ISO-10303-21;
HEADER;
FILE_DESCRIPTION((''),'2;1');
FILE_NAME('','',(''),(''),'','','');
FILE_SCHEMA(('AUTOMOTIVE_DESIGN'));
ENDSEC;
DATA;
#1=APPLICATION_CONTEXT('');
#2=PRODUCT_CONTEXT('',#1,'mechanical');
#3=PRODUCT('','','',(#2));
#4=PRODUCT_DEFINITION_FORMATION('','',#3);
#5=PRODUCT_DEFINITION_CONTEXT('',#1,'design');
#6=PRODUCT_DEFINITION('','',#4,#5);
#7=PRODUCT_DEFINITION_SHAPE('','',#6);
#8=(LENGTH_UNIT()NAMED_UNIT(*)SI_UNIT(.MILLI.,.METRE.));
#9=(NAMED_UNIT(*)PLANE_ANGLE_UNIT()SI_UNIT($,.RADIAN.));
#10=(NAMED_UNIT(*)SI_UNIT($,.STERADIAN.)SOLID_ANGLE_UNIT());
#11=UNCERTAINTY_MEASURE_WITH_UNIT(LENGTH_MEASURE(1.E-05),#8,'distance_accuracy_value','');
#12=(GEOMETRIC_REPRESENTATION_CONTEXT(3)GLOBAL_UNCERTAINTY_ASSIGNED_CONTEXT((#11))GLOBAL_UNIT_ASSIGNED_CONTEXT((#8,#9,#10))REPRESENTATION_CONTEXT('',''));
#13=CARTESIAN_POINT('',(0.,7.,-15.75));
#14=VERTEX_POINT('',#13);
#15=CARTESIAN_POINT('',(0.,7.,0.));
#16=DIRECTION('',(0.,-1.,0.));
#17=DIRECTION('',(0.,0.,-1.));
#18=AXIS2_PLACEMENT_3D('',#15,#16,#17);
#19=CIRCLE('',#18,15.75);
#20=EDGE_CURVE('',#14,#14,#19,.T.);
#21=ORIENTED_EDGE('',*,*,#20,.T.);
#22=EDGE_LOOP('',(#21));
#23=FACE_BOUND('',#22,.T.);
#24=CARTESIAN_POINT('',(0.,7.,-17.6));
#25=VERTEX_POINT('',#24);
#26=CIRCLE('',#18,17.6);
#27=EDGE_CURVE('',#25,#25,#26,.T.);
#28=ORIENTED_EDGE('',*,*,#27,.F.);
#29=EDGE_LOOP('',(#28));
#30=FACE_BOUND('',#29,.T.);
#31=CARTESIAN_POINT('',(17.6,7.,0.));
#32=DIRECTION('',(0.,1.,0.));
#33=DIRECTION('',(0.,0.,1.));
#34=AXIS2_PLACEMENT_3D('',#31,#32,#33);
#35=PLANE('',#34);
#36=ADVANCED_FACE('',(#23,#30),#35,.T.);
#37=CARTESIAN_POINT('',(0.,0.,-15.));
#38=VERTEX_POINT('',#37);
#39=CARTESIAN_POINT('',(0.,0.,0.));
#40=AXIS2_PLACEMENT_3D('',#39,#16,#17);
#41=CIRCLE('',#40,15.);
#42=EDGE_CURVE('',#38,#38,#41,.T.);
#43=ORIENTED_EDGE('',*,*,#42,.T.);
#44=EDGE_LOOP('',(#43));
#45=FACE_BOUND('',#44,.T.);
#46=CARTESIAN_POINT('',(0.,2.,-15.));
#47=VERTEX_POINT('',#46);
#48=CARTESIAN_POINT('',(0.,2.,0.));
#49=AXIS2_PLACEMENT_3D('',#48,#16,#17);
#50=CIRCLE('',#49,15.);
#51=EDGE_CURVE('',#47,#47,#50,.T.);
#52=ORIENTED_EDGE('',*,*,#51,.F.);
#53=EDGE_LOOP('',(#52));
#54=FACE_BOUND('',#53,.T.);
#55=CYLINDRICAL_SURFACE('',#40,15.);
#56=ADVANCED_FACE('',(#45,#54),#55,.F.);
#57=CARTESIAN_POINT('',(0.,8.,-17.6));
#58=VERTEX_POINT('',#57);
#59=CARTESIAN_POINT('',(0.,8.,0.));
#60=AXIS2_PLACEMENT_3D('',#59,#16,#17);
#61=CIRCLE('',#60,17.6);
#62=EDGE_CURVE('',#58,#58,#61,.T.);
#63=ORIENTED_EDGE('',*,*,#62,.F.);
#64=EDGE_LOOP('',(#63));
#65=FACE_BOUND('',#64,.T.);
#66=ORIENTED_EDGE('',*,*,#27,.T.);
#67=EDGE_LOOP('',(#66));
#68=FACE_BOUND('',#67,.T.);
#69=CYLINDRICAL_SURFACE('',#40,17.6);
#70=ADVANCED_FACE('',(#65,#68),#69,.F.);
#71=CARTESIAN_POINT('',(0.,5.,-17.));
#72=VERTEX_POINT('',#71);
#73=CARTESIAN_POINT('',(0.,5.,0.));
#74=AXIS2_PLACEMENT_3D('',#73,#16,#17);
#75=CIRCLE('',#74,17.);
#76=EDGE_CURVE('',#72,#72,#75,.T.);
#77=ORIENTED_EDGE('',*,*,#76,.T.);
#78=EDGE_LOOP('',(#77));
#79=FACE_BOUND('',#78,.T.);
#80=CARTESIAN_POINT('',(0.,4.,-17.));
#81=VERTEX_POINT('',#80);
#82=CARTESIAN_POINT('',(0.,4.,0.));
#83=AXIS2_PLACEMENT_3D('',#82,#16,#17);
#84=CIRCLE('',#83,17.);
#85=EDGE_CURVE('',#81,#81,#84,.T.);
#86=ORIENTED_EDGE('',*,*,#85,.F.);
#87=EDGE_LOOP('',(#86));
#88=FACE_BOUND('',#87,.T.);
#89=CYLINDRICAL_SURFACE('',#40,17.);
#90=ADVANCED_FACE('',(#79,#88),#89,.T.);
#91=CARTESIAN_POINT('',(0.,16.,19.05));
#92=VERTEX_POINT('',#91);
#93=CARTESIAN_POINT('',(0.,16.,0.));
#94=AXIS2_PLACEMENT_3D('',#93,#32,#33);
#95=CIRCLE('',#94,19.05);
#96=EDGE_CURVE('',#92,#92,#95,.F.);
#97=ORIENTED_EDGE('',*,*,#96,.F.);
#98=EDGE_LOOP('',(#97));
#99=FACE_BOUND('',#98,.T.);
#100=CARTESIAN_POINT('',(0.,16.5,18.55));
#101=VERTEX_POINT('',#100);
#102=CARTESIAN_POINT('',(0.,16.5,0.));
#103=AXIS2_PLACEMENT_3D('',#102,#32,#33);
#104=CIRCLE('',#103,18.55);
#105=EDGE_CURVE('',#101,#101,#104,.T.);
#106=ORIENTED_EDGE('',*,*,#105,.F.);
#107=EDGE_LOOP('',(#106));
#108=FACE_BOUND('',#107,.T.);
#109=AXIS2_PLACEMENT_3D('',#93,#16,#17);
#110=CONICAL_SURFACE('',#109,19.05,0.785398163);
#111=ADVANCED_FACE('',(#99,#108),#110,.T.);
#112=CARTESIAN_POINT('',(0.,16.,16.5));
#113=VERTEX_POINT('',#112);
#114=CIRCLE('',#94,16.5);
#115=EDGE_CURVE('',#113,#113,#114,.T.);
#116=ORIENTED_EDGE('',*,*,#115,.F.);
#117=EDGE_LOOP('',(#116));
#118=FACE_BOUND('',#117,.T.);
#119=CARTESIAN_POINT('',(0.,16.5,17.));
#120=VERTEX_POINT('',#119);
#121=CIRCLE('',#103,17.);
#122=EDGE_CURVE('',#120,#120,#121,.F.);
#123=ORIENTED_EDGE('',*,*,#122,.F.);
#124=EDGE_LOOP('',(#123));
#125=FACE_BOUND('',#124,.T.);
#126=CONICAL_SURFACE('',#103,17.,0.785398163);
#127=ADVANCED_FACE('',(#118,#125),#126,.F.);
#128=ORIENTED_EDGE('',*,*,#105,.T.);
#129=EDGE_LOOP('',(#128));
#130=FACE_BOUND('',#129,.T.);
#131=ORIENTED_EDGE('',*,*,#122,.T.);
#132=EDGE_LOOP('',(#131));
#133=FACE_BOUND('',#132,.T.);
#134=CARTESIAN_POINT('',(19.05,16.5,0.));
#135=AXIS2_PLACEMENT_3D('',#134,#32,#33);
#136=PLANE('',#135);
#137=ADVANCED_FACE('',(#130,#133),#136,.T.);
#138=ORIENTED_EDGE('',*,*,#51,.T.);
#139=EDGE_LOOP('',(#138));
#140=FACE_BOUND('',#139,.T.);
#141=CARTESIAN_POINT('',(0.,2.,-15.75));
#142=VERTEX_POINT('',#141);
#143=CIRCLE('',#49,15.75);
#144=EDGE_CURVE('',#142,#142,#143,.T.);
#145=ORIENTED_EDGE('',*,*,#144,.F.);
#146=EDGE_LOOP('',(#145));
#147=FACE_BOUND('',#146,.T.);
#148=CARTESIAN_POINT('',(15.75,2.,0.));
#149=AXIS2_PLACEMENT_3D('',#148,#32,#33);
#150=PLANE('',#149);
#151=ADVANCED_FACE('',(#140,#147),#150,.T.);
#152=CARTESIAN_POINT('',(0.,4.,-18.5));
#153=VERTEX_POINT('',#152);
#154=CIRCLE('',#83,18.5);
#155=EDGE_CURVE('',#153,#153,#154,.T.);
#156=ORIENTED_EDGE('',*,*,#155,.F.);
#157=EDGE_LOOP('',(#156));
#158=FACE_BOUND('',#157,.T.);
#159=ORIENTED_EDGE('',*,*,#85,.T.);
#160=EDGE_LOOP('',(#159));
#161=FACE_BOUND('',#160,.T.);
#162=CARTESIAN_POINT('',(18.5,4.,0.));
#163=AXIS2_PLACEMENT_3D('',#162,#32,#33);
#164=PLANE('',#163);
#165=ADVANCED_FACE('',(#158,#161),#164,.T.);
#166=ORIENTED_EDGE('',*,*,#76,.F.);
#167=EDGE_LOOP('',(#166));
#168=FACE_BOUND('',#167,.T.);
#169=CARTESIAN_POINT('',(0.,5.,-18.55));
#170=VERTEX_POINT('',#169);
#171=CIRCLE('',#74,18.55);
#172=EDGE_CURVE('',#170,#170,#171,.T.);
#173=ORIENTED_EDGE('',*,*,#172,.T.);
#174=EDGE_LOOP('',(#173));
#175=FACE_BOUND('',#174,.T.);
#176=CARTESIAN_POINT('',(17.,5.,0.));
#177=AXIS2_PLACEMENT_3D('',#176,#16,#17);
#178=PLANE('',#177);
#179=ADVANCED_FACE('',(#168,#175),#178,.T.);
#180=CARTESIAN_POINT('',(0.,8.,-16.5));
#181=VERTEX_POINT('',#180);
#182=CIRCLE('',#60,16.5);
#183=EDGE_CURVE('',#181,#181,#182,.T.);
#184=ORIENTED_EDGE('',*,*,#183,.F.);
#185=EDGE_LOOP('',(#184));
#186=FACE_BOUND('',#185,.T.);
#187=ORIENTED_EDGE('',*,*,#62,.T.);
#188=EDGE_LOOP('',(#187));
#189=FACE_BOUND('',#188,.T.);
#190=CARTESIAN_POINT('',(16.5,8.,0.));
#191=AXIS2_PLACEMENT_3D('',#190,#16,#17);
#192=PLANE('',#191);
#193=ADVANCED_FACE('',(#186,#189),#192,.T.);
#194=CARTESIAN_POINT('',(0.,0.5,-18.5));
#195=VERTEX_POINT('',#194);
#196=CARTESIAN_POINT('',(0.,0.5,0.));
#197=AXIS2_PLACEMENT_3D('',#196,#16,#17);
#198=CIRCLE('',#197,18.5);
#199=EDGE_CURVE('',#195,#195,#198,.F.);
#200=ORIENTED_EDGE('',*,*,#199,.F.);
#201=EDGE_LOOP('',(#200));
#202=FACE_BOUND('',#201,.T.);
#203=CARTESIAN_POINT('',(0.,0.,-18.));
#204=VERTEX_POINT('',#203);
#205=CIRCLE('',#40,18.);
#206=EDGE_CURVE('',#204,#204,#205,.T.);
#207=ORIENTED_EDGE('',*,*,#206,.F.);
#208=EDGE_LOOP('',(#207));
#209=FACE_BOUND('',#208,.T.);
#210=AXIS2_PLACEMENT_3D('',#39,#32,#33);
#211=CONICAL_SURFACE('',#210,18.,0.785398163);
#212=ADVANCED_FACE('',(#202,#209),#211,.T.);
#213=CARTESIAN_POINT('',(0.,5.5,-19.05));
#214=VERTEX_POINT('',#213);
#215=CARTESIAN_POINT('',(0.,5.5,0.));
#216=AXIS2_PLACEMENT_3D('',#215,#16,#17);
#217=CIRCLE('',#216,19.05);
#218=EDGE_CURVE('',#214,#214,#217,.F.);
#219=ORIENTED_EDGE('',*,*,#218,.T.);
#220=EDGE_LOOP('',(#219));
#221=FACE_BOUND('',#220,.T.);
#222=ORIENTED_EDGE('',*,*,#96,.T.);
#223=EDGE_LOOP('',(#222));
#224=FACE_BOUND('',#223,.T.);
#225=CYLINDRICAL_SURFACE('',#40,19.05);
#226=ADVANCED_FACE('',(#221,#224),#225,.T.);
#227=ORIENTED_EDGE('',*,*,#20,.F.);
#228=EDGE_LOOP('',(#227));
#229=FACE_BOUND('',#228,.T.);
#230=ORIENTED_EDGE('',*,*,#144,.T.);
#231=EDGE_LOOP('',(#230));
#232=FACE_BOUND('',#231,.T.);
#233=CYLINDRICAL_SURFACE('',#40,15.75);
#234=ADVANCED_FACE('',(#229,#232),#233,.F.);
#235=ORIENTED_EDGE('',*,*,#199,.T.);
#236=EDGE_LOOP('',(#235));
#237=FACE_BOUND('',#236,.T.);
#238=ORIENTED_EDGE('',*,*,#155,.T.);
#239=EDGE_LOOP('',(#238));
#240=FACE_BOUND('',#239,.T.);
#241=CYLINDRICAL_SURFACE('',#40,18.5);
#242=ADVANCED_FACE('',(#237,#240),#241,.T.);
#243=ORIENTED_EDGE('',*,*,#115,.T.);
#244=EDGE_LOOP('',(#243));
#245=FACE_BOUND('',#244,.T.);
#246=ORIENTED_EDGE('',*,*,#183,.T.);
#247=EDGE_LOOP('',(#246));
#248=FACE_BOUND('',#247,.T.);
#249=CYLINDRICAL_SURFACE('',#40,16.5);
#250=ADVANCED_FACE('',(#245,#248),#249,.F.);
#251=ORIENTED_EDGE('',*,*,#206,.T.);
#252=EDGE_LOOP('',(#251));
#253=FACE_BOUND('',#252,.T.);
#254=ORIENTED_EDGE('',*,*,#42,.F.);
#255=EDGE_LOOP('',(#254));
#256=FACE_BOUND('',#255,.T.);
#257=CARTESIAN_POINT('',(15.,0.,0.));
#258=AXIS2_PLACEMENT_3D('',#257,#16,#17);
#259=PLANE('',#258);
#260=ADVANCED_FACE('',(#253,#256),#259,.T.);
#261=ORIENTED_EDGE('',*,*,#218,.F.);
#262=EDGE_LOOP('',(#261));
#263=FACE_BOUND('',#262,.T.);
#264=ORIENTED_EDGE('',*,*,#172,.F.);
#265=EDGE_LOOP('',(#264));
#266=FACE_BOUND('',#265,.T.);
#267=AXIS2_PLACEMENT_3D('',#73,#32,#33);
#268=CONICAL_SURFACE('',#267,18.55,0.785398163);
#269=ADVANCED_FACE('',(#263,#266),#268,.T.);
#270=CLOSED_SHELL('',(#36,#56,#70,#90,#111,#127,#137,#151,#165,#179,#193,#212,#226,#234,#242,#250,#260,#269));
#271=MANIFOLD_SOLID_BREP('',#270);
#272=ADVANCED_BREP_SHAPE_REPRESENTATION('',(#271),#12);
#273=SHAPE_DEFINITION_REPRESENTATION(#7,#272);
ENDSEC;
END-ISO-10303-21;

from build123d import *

# Parameters (mm, degrees)
CHAMFER_1_SIZE = 0.5


with BuildPart() as part:
    # 草图1 → 旋转1 (revolve)
    with BuildSketch(Plane.XY, mode=Mode.PRIVATE) as revolve_1_sk:
        Polygon((15, 0), (18.5, 0), (18.5, 4), (17, 4), (17, 5), (19.05, 5), (19.05, 16.5), (16.5, 16.5), (16.5, 8), (17.6, 8), (17.6, 7), (15.75, 7), (15.75, 2), (15, 2), align=None)
    revolve(revolve_1_sk.sketch.rotate(Axis((0, 0, 0), (0, 1, 0)), 90), axis=Axis((0, 0, 0), (0, 1, 0)))  # turned: the seam where the file's is

    # 倒角1
    chamfer_1_edges = [part.edges().sort_by_distance(p)[0] for p in [
        (0, 16.5, 16.5),
        (0, 16.5, 19.05),
        (0, 5, 19.05),
        (0, 0, 18.5),
    ]]
    chamfer(chamfer_1_edges, length=CHAMFER_1_SIZE)


solid = part.part
